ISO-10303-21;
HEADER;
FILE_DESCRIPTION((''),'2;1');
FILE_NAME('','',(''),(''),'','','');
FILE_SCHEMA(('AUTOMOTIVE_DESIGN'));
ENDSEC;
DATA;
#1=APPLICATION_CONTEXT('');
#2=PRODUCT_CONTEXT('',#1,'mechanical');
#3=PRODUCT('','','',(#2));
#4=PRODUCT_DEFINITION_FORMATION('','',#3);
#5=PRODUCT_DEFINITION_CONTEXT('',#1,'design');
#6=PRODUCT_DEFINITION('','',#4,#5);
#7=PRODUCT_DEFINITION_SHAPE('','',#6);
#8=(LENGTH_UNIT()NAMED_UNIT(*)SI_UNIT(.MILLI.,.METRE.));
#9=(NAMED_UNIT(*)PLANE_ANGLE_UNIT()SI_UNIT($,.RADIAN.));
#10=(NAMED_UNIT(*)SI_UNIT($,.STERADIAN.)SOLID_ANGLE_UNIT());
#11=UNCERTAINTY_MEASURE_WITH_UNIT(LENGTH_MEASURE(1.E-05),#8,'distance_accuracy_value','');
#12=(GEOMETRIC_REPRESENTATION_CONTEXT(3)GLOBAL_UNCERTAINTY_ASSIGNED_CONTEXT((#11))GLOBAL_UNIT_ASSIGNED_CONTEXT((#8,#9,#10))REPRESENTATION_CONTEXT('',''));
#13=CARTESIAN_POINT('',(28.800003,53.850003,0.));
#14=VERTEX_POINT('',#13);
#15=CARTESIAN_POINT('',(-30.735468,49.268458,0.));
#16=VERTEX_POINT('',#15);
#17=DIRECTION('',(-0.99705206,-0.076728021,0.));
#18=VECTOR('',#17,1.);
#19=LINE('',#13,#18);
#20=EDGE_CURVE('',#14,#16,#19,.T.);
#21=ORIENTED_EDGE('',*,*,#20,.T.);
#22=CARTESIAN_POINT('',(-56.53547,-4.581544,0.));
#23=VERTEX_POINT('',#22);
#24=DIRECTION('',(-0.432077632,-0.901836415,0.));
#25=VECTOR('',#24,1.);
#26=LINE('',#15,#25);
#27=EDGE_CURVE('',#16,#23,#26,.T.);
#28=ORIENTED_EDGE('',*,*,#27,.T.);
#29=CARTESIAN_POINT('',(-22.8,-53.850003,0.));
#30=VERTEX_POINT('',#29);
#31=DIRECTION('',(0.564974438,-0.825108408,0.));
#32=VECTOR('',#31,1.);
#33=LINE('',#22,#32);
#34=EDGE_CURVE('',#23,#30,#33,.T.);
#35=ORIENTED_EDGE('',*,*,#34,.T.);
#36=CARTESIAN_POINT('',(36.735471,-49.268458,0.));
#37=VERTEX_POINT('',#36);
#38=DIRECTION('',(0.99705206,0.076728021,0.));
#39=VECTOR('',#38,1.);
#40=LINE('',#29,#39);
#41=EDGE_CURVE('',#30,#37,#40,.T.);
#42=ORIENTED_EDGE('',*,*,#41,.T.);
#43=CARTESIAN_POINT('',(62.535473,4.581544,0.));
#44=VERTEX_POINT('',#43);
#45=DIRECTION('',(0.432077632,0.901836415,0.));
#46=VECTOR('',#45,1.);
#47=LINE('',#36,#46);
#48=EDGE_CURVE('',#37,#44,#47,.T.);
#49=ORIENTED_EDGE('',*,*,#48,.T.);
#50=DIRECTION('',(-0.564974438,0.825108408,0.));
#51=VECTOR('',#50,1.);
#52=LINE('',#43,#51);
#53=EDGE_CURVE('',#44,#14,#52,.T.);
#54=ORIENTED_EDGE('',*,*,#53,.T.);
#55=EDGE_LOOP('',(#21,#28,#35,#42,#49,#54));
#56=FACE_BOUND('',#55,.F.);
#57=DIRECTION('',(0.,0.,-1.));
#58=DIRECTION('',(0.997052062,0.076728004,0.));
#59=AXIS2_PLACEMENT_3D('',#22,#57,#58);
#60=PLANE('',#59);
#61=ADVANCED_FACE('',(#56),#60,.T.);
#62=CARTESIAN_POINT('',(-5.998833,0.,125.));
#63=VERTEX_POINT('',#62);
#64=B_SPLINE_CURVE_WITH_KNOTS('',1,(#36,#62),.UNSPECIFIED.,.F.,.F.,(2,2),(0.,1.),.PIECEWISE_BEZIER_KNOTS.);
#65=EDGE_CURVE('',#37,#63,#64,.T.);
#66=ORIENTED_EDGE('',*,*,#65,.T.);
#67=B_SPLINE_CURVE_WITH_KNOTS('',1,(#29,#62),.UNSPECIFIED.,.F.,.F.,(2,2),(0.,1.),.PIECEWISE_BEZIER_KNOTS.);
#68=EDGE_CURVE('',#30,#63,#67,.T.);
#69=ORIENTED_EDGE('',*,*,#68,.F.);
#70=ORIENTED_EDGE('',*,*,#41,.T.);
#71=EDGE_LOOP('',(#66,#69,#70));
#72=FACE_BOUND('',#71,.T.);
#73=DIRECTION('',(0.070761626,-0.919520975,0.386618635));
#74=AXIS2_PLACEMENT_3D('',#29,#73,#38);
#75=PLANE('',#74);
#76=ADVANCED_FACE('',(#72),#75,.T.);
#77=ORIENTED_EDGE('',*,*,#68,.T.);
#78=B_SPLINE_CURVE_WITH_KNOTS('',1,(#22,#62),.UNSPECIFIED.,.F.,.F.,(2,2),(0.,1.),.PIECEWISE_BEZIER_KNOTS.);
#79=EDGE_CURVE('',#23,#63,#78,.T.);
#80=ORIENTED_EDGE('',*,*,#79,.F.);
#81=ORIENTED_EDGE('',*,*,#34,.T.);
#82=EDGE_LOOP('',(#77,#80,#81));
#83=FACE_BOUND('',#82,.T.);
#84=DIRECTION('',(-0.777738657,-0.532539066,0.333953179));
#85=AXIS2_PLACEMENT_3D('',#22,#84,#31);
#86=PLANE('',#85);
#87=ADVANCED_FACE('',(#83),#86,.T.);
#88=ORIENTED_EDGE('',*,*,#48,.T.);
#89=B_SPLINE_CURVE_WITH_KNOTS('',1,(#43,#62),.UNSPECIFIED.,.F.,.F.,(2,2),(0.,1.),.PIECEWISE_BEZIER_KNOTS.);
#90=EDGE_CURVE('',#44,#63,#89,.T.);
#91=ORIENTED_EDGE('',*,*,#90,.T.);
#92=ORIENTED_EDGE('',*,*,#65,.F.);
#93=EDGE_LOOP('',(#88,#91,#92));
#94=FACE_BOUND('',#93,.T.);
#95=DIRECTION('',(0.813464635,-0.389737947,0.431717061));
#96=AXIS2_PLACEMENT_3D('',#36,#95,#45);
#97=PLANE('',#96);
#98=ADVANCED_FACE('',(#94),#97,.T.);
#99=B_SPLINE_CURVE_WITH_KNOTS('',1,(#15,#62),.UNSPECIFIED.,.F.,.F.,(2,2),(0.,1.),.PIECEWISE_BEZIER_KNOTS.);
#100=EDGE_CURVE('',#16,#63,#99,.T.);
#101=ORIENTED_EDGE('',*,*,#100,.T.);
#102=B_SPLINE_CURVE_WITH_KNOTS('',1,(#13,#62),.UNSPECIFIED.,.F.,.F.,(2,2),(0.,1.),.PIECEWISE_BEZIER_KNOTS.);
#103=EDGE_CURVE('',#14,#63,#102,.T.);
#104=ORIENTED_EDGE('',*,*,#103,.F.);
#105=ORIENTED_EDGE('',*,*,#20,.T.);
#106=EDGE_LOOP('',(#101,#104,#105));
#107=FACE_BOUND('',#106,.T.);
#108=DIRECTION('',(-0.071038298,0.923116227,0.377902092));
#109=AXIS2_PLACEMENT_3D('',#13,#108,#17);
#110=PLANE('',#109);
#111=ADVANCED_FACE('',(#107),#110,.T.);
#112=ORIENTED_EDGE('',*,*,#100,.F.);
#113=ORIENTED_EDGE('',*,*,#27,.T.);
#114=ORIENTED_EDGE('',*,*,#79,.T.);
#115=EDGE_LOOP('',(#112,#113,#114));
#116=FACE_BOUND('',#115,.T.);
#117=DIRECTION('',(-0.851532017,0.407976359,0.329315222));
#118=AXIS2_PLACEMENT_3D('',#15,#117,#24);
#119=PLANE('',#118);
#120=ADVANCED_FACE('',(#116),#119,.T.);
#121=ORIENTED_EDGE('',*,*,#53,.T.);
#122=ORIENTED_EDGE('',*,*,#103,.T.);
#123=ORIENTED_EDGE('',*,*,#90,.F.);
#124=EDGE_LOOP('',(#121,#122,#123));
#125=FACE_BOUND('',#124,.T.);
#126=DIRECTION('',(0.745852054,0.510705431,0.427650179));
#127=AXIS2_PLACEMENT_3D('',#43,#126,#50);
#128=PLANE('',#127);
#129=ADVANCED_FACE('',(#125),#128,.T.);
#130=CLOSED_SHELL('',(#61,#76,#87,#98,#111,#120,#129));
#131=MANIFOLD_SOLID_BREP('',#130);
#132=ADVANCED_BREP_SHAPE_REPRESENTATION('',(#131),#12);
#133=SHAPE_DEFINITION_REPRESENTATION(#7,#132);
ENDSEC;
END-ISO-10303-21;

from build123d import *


with BuildPart() as f3:
    # F0 (on Top) → F3 section 0
    with BuildSketch(Plane.XY, mode=Mode.PRIVATE) as f3_s0:
        Polygon((-56.53547, -4.581544), (-22.8, -53.850003), (36.735471, -49.268458), (62.535473, 4.581544), (28.800003, 53.850003), (-30.735468, 49.268458), align=None)
    loft([f3_s0.sketch, Vertex(-5.998833, 0, 125)])


solid = f3.part
